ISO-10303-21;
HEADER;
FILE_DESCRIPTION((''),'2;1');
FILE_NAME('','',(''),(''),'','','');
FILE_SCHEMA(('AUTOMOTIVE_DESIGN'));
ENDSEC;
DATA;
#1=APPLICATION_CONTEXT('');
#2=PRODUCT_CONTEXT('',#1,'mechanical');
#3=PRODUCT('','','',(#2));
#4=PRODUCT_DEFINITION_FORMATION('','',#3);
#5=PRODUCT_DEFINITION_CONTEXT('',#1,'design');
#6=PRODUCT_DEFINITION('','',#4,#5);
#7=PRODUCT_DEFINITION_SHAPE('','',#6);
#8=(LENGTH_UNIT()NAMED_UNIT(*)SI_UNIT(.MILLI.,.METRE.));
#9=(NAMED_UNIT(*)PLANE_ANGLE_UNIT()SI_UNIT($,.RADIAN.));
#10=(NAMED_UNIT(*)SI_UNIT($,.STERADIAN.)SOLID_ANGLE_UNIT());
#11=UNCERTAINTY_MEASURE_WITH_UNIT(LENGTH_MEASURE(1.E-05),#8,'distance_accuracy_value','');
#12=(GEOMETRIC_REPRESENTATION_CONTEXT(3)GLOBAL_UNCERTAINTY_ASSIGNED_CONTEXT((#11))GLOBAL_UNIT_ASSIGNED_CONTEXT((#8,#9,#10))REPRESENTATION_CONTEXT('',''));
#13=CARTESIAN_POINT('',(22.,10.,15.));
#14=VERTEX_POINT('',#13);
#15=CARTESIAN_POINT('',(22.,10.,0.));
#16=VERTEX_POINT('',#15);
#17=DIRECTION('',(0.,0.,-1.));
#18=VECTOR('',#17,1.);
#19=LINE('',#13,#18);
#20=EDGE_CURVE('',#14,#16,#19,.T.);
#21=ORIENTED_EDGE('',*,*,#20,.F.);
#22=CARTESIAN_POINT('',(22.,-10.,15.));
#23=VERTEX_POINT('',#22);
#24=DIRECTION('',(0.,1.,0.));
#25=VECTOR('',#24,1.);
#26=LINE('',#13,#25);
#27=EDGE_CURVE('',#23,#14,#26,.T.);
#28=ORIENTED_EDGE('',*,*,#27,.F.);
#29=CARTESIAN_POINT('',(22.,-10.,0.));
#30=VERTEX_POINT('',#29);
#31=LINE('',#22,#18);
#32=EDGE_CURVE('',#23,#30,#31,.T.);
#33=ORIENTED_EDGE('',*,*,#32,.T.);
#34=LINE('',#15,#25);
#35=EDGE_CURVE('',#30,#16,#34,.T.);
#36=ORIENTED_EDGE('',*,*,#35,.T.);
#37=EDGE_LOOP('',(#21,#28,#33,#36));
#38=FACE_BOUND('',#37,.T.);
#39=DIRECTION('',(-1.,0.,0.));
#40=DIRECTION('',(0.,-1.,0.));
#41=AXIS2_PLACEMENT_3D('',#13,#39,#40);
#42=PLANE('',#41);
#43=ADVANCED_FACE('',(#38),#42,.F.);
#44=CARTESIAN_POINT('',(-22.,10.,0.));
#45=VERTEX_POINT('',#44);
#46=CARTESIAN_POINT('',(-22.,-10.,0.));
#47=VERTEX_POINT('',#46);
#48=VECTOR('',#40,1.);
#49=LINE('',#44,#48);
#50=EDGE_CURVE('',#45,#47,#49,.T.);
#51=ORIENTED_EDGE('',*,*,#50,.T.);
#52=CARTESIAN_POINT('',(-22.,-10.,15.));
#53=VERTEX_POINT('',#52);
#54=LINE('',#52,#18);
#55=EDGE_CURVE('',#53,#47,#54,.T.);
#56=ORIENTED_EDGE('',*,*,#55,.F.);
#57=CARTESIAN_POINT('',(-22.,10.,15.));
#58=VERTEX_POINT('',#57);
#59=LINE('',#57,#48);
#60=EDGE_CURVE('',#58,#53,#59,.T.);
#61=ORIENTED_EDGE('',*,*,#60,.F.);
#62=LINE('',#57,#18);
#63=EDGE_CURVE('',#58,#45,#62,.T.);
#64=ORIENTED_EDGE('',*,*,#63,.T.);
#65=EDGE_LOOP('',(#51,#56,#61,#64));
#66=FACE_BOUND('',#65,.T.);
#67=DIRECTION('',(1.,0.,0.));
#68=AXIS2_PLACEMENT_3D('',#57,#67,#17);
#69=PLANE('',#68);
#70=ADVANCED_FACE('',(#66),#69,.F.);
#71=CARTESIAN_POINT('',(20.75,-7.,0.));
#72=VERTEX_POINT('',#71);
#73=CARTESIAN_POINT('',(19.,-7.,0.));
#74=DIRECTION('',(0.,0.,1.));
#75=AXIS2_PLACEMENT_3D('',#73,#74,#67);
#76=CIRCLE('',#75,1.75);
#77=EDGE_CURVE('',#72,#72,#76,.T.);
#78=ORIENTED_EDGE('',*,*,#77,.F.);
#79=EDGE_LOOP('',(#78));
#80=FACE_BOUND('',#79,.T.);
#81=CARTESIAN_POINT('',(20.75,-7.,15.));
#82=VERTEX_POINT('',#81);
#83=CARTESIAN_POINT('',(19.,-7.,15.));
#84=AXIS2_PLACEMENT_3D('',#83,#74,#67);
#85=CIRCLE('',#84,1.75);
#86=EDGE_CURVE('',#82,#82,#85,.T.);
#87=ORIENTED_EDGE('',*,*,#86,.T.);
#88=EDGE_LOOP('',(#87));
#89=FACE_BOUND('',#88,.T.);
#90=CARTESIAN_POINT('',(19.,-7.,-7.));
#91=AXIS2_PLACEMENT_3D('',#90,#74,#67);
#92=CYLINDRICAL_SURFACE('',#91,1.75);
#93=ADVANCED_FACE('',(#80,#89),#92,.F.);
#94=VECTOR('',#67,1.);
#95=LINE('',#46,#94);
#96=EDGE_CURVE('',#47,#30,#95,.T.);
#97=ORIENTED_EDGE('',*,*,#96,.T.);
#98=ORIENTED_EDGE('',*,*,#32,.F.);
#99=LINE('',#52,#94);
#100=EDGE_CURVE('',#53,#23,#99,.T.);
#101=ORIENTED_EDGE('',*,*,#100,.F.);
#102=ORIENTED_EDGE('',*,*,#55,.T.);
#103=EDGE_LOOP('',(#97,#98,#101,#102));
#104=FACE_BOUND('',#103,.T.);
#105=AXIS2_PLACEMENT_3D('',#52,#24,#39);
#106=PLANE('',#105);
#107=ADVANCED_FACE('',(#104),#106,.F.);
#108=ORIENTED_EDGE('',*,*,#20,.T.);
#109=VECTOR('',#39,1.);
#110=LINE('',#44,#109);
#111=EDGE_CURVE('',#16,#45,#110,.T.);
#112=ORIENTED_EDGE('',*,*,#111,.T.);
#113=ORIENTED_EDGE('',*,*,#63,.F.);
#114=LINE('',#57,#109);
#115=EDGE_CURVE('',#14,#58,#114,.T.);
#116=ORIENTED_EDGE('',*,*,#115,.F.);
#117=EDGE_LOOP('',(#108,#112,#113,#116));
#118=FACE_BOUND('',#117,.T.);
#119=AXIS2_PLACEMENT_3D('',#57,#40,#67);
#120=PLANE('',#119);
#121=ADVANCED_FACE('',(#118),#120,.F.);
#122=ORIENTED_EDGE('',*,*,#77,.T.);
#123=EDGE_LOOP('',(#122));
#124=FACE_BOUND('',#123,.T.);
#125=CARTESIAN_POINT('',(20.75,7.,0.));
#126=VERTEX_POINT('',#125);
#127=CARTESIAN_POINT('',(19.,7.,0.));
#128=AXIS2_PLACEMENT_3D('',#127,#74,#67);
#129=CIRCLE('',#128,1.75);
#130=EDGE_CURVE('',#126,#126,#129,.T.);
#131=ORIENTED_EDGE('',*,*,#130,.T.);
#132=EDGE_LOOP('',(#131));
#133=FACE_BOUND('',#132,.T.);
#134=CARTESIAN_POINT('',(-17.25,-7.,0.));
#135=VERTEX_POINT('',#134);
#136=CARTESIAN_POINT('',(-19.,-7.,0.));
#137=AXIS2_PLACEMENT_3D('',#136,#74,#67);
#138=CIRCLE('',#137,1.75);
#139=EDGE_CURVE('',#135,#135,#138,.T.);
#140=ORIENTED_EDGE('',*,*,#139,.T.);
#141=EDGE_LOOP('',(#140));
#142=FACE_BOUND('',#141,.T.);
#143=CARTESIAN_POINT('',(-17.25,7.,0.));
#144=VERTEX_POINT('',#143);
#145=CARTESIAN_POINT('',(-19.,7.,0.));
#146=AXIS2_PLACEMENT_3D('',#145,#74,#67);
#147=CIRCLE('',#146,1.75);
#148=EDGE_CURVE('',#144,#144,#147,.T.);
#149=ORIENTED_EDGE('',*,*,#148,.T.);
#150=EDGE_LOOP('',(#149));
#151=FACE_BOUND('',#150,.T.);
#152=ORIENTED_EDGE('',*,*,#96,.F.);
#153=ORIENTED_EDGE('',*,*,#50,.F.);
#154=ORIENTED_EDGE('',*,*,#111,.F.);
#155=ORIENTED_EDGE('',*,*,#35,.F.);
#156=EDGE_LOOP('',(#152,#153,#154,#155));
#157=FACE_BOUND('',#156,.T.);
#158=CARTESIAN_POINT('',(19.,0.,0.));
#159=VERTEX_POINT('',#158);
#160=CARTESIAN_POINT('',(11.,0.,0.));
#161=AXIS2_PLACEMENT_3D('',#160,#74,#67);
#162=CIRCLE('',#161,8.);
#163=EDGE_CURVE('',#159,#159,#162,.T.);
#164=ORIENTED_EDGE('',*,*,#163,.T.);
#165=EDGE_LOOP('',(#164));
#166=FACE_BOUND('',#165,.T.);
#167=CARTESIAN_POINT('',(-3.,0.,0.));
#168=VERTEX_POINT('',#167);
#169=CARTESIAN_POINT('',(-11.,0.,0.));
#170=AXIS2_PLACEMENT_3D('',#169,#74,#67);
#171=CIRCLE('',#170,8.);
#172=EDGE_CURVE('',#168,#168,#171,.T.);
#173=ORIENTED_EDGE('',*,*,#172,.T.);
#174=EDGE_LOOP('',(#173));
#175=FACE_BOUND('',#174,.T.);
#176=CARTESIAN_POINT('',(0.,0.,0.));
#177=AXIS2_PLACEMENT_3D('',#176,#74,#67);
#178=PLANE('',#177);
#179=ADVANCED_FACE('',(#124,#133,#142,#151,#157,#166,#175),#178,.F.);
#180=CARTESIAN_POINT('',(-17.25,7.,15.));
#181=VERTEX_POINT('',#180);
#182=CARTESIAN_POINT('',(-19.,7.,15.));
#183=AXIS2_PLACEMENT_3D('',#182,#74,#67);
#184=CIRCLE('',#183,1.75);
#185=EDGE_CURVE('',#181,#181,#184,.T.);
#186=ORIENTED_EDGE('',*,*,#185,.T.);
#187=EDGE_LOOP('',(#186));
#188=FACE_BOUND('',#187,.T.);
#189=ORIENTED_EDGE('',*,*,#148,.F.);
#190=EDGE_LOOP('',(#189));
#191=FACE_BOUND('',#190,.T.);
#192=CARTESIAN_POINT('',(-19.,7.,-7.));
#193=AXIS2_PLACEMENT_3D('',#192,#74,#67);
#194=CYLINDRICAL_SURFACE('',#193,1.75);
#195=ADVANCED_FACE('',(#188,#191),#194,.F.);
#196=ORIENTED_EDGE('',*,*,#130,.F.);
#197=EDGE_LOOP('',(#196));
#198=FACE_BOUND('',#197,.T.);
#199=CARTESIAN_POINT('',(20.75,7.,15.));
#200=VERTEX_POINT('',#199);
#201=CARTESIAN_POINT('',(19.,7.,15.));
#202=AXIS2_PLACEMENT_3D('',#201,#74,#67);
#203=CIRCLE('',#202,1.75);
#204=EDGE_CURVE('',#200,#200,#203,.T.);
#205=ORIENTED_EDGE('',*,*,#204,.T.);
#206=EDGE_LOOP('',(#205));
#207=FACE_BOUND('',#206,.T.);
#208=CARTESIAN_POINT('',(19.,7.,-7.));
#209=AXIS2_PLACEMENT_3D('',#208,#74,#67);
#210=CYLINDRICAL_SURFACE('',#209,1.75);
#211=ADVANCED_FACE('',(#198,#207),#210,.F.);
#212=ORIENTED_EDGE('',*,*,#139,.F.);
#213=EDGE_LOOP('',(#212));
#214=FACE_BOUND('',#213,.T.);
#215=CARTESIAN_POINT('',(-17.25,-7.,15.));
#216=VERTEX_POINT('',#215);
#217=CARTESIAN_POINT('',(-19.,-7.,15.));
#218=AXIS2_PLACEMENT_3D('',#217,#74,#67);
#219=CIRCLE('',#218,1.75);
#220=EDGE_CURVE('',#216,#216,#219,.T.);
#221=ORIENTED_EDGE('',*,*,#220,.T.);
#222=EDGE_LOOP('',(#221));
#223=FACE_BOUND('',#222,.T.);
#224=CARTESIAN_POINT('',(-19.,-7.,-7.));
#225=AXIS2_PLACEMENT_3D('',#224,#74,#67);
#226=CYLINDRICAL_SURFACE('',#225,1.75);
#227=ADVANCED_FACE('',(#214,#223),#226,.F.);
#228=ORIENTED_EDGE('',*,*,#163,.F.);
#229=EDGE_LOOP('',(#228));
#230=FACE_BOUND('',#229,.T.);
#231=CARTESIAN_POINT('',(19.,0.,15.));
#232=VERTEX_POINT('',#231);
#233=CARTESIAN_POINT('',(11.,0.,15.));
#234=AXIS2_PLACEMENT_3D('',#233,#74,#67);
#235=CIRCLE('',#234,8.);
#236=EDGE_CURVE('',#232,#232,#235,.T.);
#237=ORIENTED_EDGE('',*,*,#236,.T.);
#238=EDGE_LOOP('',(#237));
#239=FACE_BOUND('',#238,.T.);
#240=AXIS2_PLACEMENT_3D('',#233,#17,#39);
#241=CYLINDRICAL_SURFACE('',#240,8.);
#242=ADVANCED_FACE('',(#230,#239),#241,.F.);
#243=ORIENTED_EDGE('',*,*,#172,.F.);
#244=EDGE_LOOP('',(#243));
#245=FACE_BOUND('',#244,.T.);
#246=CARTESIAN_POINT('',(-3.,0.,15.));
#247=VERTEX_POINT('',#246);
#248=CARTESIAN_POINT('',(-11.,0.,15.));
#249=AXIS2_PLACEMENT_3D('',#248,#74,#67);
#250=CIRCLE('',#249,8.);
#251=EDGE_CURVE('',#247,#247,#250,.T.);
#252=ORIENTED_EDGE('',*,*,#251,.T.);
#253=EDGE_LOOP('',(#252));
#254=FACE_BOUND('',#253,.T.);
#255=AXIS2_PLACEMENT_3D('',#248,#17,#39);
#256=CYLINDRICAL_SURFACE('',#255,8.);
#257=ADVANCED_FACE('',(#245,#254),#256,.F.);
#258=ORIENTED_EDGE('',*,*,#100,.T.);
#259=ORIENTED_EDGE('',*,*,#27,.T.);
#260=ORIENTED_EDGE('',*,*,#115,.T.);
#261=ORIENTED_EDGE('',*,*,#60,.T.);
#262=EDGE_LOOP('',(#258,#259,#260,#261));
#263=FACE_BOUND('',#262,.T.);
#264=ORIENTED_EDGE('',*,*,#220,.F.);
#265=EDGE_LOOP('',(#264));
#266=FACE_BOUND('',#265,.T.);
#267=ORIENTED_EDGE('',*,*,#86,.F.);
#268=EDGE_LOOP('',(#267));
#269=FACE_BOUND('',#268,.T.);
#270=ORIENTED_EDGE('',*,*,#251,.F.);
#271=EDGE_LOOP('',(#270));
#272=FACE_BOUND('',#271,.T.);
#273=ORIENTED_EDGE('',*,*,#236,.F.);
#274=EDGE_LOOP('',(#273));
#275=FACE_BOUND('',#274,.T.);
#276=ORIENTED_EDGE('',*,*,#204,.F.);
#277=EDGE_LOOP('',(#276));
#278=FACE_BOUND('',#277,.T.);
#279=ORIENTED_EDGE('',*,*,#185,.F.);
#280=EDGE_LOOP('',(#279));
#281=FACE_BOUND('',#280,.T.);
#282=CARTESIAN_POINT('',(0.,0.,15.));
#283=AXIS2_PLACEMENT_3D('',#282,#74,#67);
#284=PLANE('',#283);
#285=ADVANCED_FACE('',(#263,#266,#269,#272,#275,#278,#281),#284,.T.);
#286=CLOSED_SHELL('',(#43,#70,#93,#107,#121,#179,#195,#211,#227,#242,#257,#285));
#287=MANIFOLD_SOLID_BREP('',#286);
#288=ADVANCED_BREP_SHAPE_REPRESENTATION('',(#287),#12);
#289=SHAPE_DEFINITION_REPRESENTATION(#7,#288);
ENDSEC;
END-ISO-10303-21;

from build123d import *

# Parameters (mm, degrees)
CROQUIS1_W              = 44
CROQUIS1_H              = 20
CROQUIS1_R              = 8
SALIENTE_EXTRUIR1_DEPTH = 15
CROQUIS2_R              = 1.75
CORTAR_EXTRUIR1_DEPTH   = 22


with BuildPart() as part:
    # Croquis1 → Saliente-Extruir1 (new body)
    with BuildSketch(Plane.XY):
        Rectangle(CROQUIS1_W, CROQUIS1_H)
        with Locations((-11, 0)):
            Circle(CROQUIS1_R, mode=Mode.SUBTRACT)
        with Locations((11, 0)):
            Circle(CROQUIS1_R, mode=Mode.SUBTRACT)
    extrude(amount=SALIENTE_EXTRUIR1_DEPTH)

    # Croquis2 → Cortar-Extruir1 (cut)
    with BuildSketch(Plane.XY.offset(15)):
        with Locations((-19, 7)):
            Circle(CROQUIS2_R)
        with Locations((19, -7)):
            Circle(CROQUIS2_R)
        with Locations((19, 7)):
            Circle(CROQUIS2_R)
        with Locations((-19, -7)):
            Circle(CROQUIS2_R)
    extrude(amount=-CORTAR_EXTRUIR1_DEPTH, mode=Mode.SUBTRACT)


solid = part.part
